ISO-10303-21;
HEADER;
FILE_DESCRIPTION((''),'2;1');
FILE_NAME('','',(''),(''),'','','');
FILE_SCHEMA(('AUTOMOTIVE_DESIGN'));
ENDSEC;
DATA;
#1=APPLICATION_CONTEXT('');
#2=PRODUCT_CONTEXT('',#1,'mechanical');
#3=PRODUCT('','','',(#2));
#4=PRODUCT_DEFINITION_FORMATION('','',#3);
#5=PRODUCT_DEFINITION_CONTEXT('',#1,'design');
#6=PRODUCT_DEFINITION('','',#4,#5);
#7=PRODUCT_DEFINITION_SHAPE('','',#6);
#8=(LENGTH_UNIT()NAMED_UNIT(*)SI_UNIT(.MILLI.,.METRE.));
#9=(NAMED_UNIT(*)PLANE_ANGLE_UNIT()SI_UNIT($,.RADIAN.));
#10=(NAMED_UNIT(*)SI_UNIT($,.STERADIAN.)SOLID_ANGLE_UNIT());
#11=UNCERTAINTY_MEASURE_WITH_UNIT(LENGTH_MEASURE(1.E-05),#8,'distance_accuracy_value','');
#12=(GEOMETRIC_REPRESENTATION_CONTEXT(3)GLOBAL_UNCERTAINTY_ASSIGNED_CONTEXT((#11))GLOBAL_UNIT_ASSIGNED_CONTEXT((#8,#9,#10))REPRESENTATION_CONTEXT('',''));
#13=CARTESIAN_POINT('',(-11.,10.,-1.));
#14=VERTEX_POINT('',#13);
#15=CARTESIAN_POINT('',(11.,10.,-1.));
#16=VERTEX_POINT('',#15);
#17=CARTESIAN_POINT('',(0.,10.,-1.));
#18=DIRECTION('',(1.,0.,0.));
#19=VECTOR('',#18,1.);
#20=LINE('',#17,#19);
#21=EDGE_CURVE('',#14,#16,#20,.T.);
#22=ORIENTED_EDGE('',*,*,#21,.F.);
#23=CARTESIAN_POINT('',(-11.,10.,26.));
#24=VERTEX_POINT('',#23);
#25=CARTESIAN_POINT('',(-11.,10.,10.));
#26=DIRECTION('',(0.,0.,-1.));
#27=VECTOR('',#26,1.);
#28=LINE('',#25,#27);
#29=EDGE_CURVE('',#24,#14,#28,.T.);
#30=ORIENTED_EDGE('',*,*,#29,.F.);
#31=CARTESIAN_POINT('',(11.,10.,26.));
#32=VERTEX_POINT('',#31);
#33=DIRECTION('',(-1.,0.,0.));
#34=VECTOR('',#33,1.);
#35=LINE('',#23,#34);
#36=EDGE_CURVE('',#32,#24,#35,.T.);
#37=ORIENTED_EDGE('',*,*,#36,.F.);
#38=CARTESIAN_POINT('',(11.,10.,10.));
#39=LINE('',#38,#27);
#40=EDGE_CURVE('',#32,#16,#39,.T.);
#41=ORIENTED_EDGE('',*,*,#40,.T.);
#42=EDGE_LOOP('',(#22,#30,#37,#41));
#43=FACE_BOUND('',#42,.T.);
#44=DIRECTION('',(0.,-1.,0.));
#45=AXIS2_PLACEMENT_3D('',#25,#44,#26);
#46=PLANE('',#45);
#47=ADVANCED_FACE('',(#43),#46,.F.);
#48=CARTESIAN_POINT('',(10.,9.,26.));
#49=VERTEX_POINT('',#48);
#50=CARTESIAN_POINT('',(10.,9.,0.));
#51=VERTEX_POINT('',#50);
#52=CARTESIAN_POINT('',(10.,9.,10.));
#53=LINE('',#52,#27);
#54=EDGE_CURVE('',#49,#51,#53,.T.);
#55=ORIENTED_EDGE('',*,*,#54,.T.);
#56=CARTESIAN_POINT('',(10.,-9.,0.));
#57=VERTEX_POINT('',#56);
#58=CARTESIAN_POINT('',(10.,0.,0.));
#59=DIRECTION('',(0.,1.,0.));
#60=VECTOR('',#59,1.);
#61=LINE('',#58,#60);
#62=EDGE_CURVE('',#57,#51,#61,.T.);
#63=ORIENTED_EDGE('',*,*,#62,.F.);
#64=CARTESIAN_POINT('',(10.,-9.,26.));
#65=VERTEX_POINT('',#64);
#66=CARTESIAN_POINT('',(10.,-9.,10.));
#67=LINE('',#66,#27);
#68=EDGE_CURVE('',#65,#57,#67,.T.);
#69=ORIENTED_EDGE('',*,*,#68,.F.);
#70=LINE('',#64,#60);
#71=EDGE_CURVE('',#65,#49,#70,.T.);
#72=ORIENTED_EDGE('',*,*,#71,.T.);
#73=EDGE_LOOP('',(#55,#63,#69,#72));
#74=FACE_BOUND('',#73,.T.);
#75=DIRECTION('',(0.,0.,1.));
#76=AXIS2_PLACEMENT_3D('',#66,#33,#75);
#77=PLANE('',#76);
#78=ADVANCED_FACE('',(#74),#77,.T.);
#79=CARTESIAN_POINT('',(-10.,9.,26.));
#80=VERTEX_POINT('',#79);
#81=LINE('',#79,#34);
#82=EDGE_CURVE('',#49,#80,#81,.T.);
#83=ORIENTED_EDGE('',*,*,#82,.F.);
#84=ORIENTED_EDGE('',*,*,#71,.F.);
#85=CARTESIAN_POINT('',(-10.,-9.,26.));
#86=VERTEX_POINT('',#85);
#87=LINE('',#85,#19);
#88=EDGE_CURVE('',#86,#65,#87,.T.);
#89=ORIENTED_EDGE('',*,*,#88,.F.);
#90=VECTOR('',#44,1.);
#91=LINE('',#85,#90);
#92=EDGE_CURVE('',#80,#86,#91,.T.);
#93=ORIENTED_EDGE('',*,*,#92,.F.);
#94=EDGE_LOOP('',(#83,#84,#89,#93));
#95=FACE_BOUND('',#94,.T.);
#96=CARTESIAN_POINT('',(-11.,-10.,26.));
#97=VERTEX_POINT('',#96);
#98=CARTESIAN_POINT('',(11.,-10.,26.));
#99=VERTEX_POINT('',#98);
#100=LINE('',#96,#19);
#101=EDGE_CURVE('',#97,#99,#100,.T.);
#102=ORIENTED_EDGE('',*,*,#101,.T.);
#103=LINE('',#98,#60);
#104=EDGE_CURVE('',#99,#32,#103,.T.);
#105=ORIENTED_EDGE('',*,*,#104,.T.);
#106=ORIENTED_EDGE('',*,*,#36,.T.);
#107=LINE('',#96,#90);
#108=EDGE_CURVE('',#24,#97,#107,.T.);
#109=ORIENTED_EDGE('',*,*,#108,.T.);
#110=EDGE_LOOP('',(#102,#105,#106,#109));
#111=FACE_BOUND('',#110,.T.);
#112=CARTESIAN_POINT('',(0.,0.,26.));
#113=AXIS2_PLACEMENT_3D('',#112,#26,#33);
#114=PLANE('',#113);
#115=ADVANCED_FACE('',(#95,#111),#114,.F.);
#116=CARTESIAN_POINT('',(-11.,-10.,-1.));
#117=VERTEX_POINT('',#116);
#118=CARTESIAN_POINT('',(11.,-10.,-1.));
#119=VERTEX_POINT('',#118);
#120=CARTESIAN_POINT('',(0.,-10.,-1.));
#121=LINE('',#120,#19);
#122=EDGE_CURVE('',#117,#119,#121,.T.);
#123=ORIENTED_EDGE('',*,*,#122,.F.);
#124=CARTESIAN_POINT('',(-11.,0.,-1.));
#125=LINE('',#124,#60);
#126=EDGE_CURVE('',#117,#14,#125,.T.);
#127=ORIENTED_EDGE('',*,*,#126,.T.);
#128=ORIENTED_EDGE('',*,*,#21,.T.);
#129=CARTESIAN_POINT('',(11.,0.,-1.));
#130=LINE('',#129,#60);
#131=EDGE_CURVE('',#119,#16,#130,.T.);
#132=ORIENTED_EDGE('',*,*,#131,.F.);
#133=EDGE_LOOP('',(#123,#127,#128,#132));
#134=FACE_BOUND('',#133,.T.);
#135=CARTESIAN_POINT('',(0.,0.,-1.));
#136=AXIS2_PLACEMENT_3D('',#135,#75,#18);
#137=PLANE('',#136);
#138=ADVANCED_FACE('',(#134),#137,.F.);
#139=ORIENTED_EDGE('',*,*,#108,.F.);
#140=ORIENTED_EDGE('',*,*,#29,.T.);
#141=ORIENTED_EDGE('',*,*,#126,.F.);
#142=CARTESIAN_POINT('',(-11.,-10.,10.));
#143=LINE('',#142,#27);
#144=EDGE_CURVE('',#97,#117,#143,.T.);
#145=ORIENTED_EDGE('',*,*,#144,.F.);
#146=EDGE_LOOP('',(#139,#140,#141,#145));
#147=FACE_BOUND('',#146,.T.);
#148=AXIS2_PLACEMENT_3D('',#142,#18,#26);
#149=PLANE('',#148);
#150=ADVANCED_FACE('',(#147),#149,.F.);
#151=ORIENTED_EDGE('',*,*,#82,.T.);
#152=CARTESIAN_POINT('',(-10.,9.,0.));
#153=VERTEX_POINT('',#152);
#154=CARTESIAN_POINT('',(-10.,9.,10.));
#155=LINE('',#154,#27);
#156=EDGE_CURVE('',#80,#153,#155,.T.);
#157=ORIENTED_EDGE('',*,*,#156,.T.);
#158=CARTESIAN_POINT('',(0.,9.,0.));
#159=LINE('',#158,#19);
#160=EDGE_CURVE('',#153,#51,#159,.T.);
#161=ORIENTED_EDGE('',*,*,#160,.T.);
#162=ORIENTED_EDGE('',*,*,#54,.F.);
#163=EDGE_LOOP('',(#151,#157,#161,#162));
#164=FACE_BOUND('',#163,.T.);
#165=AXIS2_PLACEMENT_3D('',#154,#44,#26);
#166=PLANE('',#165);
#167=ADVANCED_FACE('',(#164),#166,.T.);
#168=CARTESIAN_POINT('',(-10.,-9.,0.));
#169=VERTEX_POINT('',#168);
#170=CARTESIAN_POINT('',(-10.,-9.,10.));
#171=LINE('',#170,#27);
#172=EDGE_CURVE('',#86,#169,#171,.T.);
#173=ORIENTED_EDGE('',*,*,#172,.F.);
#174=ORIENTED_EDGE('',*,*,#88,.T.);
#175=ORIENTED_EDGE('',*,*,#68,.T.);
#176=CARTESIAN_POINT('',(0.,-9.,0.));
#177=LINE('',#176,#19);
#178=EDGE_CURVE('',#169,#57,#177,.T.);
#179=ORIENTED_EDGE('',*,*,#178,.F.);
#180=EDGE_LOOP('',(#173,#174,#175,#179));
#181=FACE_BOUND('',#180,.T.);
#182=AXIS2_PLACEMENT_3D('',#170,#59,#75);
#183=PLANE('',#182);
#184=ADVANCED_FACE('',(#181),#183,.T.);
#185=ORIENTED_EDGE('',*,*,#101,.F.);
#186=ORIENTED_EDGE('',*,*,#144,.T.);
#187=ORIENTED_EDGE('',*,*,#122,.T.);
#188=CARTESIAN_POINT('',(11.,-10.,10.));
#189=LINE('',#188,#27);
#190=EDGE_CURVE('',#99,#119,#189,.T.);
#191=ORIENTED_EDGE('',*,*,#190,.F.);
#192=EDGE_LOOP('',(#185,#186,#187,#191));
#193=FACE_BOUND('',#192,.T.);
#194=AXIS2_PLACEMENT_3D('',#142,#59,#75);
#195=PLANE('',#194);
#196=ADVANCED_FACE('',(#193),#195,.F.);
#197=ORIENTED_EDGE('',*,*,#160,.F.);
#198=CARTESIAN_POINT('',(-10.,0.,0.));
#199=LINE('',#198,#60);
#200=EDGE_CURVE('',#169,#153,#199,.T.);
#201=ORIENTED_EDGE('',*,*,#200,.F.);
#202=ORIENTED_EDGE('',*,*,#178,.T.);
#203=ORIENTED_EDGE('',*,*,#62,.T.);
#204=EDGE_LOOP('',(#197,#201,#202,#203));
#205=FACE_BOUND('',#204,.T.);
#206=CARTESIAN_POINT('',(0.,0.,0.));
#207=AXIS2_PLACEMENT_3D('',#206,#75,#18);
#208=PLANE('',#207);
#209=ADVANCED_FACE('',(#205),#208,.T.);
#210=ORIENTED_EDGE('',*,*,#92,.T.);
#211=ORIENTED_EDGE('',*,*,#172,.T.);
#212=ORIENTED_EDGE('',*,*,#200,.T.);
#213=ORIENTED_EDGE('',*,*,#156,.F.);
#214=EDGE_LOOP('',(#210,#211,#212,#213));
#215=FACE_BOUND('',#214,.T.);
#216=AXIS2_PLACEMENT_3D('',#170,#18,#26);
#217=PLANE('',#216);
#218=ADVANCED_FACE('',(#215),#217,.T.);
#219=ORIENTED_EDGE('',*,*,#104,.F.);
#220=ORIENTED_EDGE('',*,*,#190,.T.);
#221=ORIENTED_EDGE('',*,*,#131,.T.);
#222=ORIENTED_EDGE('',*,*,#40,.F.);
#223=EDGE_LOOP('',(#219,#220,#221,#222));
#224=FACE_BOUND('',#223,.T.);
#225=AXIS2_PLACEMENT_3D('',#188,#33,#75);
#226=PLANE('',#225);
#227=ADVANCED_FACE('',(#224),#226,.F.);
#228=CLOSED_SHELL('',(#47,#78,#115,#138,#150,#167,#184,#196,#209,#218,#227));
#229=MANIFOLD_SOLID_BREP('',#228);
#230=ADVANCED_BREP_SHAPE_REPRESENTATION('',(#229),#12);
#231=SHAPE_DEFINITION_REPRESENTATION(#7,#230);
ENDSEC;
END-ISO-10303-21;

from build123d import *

# Parameters (mm, degrees)
SKETCH2_W           = 22
SKETCH2_H           = 20
SKETCH2_W_2         = 20
SKETCH2_H_2         = 18
BOSS_EXTRUDE1_DEPTH = 10
SKETCH2_2_W         = 20
SKETCH2_2_H         = 18
BOSS_EXTRUDE2_DEPTH = 1
SKETCH2_3_W         = 22
SKETCH2_3_H         = 20
SKETCH2_3_W_2       = 20
SKETCH2_3_H_2       = 18
BOSS_EXTRUDE3_DEPTH = 1
SKETCH2_4_W         = 22
SKETCH2_4_H         = 20
SKETCH2_4_W_2       = 20
SKETCH2_4_H_2       = 18
BOSS_EXTRUDE4_DEPTH = 26


with BuildPart() as part:
    # Sketch2 → Boss-Extrude1 (new body)
    with BuildSketch(Plane.XY):
        Rectangle(SKETCH2_W, SKETCH2_H)
        Rectangle(SKETCH2_W_2, SKETCH2_H_2, mode=Mode.SUBTRACT)
    extrude(amount=BOSS_EXTRUDE1_DEPTH)



with BuildPart() as body_2:
    # Sketch2<2> → Boss-Extrude2 (new body)
    with BuildSketch(Plane.XY):
        Rectangle(SKETCH2_2_W, SKETCH2_2_H)
    extrude(amount=-BOSS_EXTRUDE2_DEPTH)


with BuildPart() as part_1:
    add(part.part)

    add(body_2.part)  # Boss-Extrude3 merges body 2
    # Sketch2<3> → Boss-Extrude3 (add)
    with BuildSketch(Plane.XY):
        Rectangle(SKETCH2_3_W, SKETCH2_3_H)
        Rectangle(SKETCH2_3_W_2, SKETCH2_3_H_2, mode=Mode.SUBTRACT)
    extrude(amount=-BOSS_EXTRUDE3_DEPTH)

    # Sketch2<4> → Boss-Extrude4 (add)
    with BuildSketch(Plane.XY):
        Rectangle(SKETCH2_4_W, SKETCH2_4_H)
        Rectangle(SKETCH2_4_W_2, SKETCH2_4_H_2, mode=Mode.SUBTRACT)
    extrude(amount=BOSS_EXTRUDE4_DEPTH)


solid = part_1.part
